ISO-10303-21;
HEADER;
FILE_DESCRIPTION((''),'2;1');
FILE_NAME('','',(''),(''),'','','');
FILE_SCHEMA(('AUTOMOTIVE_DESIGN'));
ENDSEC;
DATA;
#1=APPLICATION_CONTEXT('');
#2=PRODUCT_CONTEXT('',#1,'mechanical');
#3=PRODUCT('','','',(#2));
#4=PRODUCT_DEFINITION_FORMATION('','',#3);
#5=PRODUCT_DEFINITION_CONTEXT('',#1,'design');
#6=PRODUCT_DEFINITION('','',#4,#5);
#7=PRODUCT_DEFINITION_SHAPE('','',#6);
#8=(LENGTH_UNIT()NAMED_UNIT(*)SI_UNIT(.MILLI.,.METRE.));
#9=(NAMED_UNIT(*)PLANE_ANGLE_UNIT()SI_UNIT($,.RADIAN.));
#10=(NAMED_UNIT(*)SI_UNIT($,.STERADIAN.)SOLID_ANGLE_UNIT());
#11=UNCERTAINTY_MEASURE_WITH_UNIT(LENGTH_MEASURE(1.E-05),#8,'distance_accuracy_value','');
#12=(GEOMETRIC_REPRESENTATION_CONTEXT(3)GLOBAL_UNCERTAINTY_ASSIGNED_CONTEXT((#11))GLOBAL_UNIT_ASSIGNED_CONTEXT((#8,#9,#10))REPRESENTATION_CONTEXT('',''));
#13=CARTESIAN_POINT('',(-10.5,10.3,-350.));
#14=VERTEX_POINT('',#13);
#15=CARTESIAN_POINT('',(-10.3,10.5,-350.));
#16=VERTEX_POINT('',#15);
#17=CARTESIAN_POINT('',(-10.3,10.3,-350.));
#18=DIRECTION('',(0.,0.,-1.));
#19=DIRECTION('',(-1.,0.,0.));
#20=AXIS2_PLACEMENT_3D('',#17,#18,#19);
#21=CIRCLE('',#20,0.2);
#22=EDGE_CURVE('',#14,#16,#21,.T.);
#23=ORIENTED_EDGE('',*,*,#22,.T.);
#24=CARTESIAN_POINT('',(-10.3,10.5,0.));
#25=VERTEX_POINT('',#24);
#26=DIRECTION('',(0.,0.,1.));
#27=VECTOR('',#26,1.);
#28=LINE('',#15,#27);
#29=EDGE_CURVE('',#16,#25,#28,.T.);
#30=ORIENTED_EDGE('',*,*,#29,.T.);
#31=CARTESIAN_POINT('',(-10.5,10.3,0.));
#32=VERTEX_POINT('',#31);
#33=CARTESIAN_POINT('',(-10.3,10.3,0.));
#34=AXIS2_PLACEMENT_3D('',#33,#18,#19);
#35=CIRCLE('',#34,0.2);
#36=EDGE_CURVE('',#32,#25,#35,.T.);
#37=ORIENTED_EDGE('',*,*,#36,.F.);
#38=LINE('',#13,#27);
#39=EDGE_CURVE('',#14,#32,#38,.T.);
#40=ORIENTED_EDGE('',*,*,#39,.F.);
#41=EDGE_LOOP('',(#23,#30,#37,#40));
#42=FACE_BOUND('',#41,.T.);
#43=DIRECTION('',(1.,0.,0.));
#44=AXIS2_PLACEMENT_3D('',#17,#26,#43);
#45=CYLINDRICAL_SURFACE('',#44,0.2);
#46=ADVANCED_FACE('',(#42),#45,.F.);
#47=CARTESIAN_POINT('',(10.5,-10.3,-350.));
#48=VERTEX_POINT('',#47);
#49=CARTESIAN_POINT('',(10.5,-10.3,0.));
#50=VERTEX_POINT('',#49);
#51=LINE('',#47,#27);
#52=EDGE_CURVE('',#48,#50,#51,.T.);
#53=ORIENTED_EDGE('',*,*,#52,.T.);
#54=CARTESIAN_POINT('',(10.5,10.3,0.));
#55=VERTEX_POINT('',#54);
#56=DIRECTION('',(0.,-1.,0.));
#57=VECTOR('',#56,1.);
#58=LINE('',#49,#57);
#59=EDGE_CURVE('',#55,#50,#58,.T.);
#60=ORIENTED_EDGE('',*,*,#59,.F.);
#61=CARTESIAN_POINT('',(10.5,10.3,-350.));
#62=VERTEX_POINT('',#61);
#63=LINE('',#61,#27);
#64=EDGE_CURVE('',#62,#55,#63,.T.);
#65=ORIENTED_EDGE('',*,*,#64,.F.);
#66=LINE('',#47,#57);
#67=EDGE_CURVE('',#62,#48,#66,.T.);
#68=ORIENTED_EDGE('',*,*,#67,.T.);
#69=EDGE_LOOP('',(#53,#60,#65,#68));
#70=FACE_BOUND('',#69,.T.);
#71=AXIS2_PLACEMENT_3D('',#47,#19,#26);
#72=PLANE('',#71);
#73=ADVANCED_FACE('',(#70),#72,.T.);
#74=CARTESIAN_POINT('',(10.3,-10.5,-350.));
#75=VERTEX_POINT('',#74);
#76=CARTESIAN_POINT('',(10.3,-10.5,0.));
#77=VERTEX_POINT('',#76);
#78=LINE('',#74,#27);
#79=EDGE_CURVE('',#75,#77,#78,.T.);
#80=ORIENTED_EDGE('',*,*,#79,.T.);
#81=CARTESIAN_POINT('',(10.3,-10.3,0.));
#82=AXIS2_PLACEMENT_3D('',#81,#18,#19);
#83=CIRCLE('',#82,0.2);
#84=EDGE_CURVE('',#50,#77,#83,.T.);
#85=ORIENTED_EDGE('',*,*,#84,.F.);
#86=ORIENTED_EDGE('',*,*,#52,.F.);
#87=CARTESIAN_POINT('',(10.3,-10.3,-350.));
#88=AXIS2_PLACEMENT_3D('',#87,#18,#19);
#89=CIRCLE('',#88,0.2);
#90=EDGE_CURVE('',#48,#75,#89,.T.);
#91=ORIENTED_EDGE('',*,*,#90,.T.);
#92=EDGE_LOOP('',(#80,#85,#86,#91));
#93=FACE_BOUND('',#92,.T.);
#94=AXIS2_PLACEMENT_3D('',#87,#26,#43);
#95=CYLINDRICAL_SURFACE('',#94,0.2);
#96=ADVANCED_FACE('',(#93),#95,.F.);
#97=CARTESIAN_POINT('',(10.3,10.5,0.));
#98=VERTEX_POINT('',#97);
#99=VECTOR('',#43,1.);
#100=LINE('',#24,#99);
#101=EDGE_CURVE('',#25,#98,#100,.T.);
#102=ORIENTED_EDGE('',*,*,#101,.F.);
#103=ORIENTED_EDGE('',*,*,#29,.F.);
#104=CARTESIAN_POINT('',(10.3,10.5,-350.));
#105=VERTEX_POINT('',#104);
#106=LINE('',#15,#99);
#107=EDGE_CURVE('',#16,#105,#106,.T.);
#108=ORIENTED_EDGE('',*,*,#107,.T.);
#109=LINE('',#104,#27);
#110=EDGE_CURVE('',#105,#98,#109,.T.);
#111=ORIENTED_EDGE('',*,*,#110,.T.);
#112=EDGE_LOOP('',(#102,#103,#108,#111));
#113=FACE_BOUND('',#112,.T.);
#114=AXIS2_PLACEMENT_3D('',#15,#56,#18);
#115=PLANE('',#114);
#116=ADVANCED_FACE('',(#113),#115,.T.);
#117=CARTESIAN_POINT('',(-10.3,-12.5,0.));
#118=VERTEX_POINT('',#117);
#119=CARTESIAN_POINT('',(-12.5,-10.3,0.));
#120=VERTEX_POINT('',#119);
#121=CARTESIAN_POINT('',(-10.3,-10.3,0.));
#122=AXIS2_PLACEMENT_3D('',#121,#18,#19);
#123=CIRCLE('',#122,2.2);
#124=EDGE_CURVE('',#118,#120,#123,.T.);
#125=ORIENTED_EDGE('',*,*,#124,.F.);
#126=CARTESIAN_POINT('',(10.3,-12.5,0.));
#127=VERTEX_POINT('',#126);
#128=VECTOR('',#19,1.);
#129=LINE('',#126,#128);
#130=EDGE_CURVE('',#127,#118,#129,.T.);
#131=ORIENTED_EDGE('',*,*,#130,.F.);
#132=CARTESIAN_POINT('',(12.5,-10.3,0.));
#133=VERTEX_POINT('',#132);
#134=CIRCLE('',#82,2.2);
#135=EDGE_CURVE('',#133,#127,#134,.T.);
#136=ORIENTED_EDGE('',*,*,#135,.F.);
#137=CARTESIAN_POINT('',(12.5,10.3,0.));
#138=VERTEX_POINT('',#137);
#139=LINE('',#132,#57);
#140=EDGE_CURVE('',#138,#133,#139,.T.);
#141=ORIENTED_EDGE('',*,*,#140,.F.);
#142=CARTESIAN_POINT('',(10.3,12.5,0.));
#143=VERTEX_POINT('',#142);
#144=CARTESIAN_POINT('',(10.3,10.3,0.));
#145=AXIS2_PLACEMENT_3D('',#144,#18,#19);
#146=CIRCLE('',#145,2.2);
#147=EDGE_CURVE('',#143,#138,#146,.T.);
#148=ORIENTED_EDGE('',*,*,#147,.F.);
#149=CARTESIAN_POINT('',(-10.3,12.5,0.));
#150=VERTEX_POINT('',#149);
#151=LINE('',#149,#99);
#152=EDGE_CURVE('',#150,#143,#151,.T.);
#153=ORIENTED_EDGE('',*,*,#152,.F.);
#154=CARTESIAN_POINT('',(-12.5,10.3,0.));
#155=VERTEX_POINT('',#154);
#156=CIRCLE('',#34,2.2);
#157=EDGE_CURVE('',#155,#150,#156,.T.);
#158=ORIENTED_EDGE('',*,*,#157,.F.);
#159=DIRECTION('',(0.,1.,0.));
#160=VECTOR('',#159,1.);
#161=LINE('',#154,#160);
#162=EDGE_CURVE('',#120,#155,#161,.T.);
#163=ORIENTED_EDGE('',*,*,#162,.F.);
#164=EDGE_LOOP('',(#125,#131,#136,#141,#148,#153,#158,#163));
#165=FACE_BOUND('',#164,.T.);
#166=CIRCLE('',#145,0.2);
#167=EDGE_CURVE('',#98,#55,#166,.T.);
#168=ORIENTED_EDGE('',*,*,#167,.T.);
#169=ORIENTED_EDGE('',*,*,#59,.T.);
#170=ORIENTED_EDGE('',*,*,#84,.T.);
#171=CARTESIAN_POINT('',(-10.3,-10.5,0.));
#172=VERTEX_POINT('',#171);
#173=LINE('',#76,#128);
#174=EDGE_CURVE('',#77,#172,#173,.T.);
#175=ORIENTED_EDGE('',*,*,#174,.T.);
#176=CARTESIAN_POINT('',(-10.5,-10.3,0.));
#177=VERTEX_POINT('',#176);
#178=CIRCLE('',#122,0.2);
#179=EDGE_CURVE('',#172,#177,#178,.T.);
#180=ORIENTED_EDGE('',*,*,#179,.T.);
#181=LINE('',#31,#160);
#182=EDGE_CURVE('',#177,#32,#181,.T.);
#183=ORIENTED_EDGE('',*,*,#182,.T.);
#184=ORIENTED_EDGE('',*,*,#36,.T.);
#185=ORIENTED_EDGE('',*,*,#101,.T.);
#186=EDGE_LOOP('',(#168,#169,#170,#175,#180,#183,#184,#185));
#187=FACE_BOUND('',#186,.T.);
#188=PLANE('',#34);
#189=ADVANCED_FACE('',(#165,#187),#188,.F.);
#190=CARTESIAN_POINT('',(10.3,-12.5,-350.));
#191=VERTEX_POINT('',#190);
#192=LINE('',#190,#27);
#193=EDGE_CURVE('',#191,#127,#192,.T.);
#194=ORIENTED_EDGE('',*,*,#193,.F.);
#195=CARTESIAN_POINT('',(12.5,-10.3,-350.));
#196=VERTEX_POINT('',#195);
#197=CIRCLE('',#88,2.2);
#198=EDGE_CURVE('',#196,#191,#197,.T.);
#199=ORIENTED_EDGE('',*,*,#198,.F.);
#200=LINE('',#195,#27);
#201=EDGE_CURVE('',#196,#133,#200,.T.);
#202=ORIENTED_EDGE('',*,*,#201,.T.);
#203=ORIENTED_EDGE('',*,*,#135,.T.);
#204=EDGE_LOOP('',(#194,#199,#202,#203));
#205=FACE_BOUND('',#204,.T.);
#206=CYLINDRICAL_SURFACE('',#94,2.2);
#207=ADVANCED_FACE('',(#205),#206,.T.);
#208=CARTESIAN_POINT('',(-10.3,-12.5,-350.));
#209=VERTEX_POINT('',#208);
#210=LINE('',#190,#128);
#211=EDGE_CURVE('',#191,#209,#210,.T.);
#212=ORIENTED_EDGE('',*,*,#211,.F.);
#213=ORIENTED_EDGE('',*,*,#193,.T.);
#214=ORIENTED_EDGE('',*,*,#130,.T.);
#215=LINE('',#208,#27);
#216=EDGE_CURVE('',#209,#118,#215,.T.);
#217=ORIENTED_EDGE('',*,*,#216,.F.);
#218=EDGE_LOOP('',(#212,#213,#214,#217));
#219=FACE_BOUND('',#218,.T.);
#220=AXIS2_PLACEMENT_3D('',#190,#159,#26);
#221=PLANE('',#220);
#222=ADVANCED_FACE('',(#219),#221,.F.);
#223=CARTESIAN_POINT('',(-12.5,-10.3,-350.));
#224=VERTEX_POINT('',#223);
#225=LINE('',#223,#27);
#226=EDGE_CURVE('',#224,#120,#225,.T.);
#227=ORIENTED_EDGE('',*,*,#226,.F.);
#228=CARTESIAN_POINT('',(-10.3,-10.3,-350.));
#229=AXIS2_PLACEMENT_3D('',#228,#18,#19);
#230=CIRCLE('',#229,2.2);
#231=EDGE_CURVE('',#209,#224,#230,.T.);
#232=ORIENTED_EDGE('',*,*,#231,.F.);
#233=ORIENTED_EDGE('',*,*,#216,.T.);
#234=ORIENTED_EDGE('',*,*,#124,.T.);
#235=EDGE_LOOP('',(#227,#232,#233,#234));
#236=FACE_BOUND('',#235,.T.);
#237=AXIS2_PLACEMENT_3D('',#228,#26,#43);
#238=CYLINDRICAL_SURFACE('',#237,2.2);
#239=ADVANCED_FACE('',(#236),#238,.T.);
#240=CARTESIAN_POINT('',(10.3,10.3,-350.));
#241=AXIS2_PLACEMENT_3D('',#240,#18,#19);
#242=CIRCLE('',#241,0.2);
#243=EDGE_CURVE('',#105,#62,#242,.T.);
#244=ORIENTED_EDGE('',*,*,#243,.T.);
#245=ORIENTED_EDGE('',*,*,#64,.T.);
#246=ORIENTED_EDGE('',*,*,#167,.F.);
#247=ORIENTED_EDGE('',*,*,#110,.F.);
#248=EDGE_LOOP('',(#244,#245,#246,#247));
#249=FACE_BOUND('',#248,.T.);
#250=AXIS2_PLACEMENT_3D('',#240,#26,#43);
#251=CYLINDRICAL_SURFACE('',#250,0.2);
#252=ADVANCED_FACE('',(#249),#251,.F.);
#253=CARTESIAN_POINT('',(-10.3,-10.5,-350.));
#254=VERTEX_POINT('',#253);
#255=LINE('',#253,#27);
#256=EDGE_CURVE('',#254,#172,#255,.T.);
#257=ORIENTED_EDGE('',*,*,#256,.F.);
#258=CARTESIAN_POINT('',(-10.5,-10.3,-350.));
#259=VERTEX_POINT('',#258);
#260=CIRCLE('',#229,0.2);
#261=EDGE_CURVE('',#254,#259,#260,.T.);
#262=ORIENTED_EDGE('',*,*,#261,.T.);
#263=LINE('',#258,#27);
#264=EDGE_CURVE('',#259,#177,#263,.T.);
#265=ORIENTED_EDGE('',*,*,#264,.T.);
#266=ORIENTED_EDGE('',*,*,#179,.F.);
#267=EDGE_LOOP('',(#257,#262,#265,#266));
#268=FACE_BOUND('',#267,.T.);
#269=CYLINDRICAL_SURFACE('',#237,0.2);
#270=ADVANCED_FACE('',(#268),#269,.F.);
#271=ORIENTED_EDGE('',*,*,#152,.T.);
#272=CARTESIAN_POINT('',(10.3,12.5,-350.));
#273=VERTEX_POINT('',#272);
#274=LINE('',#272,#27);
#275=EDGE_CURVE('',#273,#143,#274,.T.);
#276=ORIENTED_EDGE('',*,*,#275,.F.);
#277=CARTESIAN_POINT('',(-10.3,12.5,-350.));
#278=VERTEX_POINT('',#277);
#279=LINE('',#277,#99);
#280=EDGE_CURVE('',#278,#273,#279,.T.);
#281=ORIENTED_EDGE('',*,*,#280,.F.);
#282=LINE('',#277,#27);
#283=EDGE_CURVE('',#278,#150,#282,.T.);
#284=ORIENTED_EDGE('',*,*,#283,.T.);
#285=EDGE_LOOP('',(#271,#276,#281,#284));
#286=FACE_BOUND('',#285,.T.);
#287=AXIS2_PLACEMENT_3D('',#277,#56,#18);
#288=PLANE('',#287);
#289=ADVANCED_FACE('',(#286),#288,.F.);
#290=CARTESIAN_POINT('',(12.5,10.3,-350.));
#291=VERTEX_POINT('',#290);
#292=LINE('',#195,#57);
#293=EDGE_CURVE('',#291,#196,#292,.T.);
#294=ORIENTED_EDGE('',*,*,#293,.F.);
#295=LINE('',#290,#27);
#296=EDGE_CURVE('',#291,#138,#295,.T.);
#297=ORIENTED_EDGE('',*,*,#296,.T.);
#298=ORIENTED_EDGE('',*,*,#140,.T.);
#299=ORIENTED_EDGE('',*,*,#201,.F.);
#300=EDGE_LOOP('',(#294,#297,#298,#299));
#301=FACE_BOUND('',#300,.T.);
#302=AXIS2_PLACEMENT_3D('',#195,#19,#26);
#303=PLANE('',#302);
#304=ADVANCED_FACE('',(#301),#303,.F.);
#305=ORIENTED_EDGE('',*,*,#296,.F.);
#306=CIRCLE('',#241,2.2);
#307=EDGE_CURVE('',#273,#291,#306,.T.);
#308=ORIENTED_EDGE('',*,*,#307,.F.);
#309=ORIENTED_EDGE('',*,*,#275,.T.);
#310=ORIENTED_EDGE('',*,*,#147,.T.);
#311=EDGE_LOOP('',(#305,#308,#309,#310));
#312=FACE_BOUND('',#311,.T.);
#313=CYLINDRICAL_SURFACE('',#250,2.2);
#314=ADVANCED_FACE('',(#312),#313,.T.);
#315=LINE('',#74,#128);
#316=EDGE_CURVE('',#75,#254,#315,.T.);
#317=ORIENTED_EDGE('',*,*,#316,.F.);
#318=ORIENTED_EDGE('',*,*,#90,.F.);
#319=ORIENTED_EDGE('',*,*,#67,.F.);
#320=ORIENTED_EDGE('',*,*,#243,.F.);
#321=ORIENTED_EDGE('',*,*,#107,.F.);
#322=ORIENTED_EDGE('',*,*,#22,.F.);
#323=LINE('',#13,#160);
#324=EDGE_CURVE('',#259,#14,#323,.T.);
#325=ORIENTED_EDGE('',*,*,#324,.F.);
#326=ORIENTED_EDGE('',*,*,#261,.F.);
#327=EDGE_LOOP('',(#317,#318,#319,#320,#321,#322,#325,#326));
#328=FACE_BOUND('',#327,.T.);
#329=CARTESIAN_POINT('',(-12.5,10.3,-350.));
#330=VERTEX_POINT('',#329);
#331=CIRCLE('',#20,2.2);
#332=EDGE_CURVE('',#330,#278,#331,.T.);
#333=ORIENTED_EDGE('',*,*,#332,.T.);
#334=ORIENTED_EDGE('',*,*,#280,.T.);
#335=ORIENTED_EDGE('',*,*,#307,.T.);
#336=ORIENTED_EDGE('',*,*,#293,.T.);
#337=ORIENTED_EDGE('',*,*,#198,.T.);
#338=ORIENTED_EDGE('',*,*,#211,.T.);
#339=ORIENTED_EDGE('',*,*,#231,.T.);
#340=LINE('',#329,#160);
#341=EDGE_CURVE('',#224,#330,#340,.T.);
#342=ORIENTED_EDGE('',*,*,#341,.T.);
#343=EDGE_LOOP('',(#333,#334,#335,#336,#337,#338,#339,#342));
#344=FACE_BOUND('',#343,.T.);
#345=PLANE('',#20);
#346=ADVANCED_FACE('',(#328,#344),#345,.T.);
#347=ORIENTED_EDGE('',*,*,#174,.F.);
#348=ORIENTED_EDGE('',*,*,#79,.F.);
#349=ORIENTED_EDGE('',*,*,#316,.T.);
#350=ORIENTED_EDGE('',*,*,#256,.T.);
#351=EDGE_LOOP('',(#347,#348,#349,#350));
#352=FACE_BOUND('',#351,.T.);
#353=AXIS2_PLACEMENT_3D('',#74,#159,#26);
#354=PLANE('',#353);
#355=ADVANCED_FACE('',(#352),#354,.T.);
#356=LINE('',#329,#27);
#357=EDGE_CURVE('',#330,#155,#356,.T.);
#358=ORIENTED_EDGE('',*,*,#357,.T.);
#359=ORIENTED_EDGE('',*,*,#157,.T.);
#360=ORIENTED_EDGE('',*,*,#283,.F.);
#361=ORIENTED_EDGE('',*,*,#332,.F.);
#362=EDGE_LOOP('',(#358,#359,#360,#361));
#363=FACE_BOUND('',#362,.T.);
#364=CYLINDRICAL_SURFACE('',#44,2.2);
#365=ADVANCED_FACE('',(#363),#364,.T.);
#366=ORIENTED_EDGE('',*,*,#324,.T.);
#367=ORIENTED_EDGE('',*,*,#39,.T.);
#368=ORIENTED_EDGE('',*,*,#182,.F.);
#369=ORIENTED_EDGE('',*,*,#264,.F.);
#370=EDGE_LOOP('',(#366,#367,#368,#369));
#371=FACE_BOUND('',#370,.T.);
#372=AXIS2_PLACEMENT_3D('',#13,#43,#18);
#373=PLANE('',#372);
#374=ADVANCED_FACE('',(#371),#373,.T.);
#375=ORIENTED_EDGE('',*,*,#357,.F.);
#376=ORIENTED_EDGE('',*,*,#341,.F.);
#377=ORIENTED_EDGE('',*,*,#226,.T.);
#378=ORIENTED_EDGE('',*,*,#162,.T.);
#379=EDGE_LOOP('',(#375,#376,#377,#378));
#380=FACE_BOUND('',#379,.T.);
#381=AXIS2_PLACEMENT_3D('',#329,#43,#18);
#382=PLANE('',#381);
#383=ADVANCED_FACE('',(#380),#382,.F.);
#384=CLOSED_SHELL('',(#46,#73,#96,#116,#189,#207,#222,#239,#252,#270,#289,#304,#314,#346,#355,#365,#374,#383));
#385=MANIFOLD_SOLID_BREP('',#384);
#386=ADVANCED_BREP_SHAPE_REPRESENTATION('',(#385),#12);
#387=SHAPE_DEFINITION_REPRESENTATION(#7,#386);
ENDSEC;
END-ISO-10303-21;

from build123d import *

# Parameters (mm, degrees)
STRUCTURAL_MEMBER1_DEPTH = 350


with BuildPart() as part:
    # Sketch11 → Structural Member1 (new body)
    with BuildSketch(Plane(origin=(0, 0, 0), x_dir=(-1, 0, 0), z_dir=(0, 0, -1))):
        with BuildLine():
            Line((-10.3, -12.5), (10.3, -12.5))
            ThreePointArc((10.3, -12.5), (11.855634919, -11.855634919), (12.5, -10.3))
            Line((12.5, -10.3), (12.5, 10.3))
            ThreePointArc((12.5, 10.3), (11.855634919, 11.855634919), (10.3, 12.5))
            Line((10.3, 12.5), (-10.3, 12.5))
            ThreePointArc((-10.3, 12.5), (-11.855634919, 11.855634919), (-12.5, 10.3))
            Line((-12.5, 10.3), (-12.5, -10.3))
            ThreePointArc((-12.5, -10.3), (-11.855634919, -11.855634919), (-10.3, -12.5))
        make_face()
        with BuildLine():
            Line((-10.3, -10.5), (10.3, -10.5))
            ThreePointArc((10.3, -10.5), (10.441421356, -10.441421356), (10.5, -10.3))
            Line((10.5, -10.3), (10.5, 10.3))
            ThreePointArc((10.5, 10.3), (10.441421356, 10.441421356), (10.3, 10.5))
            Line((10.3, 10.5), (-10.3, 10.5))
            ThreePointArc((-10.3, 10.5), (-10.441421356, 10.441421356), (-10.5, 10.3))
            Line((-10.5, 10.3), (-10.5, -10.3))
            ThreePointArc((-10.5, -10.3), (-10.441421356, -10.441421356), (-10.3, -10.5))
        make_face(mode=Mode.SUBTRACT)
    extrude(amount=STRUCTURAL_MEMBER1_DEPTH)


solid = part.part
